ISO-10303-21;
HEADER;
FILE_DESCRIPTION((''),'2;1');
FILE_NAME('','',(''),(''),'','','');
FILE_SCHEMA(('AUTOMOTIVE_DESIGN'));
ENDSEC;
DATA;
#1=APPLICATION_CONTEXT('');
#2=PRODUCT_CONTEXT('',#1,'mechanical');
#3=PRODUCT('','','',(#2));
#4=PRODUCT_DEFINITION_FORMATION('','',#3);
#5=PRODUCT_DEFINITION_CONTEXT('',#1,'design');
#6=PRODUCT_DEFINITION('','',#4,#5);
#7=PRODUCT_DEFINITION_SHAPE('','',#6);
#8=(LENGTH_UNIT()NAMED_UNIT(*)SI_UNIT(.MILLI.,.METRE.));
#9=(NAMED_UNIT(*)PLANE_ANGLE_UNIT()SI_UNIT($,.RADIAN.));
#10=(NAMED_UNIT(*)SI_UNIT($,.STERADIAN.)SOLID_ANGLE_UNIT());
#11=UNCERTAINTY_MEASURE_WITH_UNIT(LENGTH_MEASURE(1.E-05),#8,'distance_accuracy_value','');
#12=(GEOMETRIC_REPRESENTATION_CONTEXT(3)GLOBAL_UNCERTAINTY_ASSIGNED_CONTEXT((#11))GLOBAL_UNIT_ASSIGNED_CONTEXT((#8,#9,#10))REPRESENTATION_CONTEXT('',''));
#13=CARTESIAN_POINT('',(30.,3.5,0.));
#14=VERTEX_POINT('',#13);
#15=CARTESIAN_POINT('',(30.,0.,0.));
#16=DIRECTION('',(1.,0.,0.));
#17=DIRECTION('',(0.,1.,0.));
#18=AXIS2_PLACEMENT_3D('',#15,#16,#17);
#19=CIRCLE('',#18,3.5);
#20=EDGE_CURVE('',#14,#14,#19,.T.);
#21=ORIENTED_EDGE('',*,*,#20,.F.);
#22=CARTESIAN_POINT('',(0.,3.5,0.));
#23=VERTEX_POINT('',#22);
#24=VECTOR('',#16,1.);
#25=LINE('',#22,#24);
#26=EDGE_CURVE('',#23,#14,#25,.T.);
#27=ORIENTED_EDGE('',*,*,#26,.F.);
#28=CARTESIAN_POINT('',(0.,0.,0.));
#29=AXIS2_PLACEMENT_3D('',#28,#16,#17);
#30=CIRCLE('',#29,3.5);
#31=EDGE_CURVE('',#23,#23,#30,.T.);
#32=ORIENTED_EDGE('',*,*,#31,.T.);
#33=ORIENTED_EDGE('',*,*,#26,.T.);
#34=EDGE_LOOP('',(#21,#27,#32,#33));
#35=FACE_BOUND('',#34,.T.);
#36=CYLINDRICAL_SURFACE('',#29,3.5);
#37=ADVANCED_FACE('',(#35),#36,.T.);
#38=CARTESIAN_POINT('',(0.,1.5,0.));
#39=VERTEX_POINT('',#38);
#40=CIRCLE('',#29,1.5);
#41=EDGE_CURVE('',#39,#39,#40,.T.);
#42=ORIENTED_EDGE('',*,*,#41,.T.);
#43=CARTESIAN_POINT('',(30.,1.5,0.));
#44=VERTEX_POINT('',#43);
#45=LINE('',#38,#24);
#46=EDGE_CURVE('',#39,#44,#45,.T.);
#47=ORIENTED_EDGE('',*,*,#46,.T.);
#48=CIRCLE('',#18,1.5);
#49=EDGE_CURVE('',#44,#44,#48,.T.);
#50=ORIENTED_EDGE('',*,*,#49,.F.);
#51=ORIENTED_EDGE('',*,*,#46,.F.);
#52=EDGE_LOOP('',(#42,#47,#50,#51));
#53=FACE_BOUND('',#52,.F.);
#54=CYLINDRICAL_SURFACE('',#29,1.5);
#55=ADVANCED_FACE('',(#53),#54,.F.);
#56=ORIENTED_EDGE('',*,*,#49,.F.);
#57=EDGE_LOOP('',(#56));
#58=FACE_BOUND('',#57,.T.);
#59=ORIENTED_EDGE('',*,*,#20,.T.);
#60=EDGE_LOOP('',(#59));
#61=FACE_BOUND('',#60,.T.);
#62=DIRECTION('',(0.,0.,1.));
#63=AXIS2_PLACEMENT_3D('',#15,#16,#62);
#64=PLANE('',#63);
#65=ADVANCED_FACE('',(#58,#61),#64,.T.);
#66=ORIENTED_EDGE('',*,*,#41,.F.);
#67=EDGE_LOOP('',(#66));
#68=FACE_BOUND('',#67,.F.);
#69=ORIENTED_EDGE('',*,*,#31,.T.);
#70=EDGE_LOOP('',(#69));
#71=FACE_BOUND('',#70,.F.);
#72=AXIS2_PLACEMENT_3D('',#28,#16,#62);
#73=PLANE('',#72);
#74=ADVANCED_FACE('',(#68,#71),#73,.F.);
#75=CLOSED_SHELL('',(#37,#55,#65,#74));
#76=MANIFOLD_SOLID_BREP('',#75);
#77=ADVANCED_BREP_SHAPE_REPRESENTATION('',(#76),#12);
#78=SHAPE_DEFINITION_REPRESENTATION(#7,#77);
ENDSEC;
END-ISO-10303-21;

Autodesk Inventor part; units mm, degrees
ref_plane "YZ Plane" through (0, 0, 0) normal (1, 0, 0) x (0, 1, 0)
ref_plane "XZ Plane" through (0, 0, 0) normal (0, 1, 0) x (-1, 0, 0)
ref_plane "XY Plane" through (0, 0, 0) normal (0, 0, 1) x (1, 0, 0)
sketch "Sketch2" plane through (0, 0, 0) normal (1, 0, 0) x (0, 1, 0)
  circle A0 centre (0, 0) radius 1.5
  circle A1 centre (0, 0) radius 3.5
  dimension "d8" = 3
  dimension "d9" = 2
sketch3d "3D Sketch1"
  line L0 (0, 0, 0) -> (30, 0, 0)
sweep "Sweep1" add profiles "Sketch2" path "3D Sketch1"
properties part number "Pipe4"
